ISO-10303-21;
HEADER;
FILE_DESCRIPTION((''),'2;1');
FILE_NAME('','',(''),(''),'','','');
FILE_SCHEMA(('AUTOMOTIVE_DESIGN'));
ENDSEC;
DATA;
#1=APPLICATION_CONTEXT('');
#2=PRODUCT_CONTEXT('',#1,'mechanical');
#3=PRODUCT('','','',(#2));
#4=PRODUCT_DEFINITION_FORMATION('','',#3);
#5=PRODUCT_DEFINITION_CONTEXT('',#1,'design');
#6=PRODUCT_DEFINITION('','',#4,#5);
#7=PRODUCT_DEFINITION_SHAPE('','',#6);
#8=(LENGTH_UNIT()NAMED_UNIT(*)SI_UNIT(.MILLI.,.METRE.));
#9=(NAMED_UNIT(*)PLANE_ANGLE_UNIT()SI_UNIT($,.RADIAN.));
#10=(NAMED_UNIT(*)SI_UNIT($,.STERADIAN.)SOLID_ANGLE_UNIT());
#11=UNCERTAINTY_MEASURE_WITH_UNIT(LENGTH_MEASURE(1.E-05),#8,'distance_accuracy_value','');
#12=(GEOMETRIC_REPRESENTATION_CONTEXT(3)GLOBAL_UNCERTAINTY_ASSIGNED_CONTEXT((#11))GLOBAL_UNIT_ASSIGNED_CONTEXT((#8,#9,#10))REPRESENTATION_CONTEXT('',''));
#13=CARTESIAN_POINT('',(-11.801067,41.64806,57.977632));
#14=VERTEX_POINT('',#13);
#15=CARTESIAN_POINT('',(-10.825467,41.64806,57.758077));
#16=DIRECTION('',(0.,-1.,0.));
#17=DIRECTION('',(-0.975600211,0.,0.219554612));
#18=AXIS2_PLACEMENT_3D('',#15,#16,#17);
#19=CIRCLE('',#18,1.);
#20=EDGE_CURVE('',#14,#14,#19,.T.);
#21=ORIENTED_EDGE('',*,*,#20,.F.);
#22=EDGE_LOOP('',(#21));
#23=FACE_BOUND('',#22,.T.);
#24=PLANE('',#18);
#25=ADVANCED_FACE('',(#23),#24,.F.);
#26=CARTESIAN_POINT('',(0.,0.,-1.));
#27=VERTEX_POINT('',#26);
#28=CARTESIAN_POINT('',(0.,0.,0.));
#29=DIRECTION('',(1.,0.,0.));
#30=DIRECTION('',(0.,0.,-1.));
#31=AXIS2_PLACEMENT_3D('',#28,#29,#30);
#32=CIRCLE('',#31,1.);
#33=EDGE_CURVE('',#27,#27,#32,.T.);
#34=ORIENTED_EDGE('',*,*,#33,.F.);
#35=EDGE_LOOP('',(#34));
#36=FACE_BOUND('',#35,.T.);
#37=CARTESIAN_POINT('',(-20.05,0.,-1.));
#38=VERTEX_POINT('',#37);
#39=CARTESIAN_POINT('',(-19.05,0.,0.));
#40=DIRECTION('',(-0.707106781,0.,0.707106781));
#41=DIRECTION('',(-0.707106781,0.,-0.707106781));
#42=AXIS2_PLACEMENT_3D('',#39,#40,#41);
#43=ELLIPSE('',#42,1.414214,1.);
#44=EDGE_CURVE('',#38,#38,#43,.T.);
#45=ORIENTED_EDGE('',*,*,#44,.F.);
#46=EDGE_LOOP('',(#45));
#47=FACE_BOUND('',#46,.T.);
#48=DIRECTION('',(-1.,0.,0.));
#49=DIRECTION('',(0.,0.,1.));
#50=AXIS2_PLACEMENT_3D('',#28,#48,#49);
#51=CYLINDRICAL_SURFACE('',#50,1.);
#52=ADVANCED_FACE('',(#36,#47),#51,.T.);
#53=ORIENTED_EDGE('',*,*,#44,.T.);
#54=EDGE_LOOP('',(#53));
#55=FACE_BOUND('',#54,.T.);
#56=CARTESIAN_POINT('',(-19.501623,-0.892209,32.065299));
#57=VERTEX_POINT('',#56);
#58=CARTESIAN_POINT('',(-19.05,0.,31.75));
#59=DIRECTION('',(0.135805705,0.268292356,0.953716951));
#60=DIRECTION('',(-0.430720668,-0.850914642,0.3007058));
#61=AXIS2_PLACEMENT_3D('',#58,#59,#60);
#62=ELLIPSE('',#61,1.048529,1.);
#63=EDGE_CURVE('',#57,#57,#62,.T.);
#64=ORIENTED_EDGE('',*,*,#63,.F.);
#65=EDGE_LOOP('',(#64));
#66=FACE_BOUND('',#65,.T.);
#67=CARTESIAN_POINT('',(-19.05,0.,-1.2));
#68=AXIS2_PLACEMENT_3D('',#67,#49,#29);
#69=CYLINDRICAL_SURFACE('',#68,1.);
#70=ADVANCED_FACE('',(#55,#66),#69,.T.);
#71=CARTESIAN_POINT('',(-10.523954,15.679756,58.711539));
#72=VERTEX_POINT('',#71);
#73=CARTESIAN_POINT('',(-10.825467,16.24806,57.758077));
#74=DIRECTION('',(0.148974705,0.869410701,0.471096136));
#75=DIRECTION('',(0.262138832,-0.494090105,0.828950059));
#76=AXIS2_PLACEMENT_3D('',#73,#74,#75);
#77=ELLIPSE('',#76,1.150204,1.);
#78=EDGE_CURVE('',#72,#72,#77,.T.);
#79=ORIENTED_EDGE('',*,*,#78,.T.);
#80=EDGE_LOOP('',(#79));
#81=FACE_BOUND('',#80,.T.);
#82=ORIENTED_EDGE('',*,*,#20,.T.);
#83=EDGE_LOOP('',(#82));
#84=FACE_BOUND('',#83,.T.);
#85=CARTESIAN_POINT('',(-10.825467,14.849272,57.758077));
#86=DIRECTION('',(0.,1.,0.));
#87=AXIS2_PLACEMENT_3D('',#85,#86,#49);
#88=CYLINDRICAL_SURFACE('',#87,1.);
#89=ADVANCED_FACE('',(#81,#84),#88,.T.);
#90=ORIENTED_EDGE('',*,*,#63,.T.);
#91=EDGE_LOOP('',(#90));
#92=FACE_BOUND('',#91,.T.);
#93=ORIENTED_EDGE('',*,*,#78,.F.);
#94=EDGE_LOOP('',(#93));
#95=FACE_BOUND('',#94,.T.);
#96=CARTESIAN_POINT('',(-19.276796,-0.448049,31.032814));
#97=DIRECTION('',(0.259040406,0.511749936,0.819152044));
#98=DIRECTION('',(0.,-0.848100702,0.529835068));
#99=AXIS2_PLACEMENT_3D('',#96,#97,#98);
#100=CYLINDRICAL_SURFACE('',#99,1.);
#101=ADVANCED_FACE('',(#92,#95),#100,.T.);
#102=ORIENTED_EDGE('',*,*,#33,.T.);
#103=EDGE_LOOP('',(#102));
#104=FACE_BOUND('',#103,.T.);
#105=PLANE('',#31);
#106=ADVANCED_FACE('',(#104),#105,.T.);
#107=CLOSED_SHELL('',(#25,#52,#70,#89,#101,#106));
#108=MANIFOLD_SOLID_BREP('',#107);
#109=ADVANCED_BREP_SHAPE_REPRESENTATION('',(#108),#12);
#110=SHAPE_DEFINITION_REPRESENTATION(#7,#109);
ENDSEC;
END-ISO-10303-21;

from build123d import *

# Parameters (mm, degrees)
SKETCH1_R = 1


with BuildPart() as part:
    # Sweep1: sweep along a curve in space
    with BuildLine() as sweep1_path:
        Line((0, 0, 0), (-19.05, 0, 0))
        Line((-19.05, 0, 0), (-19.05, 0, 31.75))
        Line((-19.05, 0, 31.75), (-10.825467117, 16.248060453, 57.758077406))
        Line((-10.825467117, 16.248060453, 57.758077406), (-10.825467117, 41.648060453, 57.758077406))
    # Sketch1 → Sweep1 (sweep)
    with BuildSketch(Plane(origin=(0, 0, 0), x_dir=(0, 0, -1), z_dir=(1, 0, 0))):
        Circle(SKETCH1_R)
    sweep(path=sweep1_path.line, transition=Transition.RIGHT)


solid = part.part
